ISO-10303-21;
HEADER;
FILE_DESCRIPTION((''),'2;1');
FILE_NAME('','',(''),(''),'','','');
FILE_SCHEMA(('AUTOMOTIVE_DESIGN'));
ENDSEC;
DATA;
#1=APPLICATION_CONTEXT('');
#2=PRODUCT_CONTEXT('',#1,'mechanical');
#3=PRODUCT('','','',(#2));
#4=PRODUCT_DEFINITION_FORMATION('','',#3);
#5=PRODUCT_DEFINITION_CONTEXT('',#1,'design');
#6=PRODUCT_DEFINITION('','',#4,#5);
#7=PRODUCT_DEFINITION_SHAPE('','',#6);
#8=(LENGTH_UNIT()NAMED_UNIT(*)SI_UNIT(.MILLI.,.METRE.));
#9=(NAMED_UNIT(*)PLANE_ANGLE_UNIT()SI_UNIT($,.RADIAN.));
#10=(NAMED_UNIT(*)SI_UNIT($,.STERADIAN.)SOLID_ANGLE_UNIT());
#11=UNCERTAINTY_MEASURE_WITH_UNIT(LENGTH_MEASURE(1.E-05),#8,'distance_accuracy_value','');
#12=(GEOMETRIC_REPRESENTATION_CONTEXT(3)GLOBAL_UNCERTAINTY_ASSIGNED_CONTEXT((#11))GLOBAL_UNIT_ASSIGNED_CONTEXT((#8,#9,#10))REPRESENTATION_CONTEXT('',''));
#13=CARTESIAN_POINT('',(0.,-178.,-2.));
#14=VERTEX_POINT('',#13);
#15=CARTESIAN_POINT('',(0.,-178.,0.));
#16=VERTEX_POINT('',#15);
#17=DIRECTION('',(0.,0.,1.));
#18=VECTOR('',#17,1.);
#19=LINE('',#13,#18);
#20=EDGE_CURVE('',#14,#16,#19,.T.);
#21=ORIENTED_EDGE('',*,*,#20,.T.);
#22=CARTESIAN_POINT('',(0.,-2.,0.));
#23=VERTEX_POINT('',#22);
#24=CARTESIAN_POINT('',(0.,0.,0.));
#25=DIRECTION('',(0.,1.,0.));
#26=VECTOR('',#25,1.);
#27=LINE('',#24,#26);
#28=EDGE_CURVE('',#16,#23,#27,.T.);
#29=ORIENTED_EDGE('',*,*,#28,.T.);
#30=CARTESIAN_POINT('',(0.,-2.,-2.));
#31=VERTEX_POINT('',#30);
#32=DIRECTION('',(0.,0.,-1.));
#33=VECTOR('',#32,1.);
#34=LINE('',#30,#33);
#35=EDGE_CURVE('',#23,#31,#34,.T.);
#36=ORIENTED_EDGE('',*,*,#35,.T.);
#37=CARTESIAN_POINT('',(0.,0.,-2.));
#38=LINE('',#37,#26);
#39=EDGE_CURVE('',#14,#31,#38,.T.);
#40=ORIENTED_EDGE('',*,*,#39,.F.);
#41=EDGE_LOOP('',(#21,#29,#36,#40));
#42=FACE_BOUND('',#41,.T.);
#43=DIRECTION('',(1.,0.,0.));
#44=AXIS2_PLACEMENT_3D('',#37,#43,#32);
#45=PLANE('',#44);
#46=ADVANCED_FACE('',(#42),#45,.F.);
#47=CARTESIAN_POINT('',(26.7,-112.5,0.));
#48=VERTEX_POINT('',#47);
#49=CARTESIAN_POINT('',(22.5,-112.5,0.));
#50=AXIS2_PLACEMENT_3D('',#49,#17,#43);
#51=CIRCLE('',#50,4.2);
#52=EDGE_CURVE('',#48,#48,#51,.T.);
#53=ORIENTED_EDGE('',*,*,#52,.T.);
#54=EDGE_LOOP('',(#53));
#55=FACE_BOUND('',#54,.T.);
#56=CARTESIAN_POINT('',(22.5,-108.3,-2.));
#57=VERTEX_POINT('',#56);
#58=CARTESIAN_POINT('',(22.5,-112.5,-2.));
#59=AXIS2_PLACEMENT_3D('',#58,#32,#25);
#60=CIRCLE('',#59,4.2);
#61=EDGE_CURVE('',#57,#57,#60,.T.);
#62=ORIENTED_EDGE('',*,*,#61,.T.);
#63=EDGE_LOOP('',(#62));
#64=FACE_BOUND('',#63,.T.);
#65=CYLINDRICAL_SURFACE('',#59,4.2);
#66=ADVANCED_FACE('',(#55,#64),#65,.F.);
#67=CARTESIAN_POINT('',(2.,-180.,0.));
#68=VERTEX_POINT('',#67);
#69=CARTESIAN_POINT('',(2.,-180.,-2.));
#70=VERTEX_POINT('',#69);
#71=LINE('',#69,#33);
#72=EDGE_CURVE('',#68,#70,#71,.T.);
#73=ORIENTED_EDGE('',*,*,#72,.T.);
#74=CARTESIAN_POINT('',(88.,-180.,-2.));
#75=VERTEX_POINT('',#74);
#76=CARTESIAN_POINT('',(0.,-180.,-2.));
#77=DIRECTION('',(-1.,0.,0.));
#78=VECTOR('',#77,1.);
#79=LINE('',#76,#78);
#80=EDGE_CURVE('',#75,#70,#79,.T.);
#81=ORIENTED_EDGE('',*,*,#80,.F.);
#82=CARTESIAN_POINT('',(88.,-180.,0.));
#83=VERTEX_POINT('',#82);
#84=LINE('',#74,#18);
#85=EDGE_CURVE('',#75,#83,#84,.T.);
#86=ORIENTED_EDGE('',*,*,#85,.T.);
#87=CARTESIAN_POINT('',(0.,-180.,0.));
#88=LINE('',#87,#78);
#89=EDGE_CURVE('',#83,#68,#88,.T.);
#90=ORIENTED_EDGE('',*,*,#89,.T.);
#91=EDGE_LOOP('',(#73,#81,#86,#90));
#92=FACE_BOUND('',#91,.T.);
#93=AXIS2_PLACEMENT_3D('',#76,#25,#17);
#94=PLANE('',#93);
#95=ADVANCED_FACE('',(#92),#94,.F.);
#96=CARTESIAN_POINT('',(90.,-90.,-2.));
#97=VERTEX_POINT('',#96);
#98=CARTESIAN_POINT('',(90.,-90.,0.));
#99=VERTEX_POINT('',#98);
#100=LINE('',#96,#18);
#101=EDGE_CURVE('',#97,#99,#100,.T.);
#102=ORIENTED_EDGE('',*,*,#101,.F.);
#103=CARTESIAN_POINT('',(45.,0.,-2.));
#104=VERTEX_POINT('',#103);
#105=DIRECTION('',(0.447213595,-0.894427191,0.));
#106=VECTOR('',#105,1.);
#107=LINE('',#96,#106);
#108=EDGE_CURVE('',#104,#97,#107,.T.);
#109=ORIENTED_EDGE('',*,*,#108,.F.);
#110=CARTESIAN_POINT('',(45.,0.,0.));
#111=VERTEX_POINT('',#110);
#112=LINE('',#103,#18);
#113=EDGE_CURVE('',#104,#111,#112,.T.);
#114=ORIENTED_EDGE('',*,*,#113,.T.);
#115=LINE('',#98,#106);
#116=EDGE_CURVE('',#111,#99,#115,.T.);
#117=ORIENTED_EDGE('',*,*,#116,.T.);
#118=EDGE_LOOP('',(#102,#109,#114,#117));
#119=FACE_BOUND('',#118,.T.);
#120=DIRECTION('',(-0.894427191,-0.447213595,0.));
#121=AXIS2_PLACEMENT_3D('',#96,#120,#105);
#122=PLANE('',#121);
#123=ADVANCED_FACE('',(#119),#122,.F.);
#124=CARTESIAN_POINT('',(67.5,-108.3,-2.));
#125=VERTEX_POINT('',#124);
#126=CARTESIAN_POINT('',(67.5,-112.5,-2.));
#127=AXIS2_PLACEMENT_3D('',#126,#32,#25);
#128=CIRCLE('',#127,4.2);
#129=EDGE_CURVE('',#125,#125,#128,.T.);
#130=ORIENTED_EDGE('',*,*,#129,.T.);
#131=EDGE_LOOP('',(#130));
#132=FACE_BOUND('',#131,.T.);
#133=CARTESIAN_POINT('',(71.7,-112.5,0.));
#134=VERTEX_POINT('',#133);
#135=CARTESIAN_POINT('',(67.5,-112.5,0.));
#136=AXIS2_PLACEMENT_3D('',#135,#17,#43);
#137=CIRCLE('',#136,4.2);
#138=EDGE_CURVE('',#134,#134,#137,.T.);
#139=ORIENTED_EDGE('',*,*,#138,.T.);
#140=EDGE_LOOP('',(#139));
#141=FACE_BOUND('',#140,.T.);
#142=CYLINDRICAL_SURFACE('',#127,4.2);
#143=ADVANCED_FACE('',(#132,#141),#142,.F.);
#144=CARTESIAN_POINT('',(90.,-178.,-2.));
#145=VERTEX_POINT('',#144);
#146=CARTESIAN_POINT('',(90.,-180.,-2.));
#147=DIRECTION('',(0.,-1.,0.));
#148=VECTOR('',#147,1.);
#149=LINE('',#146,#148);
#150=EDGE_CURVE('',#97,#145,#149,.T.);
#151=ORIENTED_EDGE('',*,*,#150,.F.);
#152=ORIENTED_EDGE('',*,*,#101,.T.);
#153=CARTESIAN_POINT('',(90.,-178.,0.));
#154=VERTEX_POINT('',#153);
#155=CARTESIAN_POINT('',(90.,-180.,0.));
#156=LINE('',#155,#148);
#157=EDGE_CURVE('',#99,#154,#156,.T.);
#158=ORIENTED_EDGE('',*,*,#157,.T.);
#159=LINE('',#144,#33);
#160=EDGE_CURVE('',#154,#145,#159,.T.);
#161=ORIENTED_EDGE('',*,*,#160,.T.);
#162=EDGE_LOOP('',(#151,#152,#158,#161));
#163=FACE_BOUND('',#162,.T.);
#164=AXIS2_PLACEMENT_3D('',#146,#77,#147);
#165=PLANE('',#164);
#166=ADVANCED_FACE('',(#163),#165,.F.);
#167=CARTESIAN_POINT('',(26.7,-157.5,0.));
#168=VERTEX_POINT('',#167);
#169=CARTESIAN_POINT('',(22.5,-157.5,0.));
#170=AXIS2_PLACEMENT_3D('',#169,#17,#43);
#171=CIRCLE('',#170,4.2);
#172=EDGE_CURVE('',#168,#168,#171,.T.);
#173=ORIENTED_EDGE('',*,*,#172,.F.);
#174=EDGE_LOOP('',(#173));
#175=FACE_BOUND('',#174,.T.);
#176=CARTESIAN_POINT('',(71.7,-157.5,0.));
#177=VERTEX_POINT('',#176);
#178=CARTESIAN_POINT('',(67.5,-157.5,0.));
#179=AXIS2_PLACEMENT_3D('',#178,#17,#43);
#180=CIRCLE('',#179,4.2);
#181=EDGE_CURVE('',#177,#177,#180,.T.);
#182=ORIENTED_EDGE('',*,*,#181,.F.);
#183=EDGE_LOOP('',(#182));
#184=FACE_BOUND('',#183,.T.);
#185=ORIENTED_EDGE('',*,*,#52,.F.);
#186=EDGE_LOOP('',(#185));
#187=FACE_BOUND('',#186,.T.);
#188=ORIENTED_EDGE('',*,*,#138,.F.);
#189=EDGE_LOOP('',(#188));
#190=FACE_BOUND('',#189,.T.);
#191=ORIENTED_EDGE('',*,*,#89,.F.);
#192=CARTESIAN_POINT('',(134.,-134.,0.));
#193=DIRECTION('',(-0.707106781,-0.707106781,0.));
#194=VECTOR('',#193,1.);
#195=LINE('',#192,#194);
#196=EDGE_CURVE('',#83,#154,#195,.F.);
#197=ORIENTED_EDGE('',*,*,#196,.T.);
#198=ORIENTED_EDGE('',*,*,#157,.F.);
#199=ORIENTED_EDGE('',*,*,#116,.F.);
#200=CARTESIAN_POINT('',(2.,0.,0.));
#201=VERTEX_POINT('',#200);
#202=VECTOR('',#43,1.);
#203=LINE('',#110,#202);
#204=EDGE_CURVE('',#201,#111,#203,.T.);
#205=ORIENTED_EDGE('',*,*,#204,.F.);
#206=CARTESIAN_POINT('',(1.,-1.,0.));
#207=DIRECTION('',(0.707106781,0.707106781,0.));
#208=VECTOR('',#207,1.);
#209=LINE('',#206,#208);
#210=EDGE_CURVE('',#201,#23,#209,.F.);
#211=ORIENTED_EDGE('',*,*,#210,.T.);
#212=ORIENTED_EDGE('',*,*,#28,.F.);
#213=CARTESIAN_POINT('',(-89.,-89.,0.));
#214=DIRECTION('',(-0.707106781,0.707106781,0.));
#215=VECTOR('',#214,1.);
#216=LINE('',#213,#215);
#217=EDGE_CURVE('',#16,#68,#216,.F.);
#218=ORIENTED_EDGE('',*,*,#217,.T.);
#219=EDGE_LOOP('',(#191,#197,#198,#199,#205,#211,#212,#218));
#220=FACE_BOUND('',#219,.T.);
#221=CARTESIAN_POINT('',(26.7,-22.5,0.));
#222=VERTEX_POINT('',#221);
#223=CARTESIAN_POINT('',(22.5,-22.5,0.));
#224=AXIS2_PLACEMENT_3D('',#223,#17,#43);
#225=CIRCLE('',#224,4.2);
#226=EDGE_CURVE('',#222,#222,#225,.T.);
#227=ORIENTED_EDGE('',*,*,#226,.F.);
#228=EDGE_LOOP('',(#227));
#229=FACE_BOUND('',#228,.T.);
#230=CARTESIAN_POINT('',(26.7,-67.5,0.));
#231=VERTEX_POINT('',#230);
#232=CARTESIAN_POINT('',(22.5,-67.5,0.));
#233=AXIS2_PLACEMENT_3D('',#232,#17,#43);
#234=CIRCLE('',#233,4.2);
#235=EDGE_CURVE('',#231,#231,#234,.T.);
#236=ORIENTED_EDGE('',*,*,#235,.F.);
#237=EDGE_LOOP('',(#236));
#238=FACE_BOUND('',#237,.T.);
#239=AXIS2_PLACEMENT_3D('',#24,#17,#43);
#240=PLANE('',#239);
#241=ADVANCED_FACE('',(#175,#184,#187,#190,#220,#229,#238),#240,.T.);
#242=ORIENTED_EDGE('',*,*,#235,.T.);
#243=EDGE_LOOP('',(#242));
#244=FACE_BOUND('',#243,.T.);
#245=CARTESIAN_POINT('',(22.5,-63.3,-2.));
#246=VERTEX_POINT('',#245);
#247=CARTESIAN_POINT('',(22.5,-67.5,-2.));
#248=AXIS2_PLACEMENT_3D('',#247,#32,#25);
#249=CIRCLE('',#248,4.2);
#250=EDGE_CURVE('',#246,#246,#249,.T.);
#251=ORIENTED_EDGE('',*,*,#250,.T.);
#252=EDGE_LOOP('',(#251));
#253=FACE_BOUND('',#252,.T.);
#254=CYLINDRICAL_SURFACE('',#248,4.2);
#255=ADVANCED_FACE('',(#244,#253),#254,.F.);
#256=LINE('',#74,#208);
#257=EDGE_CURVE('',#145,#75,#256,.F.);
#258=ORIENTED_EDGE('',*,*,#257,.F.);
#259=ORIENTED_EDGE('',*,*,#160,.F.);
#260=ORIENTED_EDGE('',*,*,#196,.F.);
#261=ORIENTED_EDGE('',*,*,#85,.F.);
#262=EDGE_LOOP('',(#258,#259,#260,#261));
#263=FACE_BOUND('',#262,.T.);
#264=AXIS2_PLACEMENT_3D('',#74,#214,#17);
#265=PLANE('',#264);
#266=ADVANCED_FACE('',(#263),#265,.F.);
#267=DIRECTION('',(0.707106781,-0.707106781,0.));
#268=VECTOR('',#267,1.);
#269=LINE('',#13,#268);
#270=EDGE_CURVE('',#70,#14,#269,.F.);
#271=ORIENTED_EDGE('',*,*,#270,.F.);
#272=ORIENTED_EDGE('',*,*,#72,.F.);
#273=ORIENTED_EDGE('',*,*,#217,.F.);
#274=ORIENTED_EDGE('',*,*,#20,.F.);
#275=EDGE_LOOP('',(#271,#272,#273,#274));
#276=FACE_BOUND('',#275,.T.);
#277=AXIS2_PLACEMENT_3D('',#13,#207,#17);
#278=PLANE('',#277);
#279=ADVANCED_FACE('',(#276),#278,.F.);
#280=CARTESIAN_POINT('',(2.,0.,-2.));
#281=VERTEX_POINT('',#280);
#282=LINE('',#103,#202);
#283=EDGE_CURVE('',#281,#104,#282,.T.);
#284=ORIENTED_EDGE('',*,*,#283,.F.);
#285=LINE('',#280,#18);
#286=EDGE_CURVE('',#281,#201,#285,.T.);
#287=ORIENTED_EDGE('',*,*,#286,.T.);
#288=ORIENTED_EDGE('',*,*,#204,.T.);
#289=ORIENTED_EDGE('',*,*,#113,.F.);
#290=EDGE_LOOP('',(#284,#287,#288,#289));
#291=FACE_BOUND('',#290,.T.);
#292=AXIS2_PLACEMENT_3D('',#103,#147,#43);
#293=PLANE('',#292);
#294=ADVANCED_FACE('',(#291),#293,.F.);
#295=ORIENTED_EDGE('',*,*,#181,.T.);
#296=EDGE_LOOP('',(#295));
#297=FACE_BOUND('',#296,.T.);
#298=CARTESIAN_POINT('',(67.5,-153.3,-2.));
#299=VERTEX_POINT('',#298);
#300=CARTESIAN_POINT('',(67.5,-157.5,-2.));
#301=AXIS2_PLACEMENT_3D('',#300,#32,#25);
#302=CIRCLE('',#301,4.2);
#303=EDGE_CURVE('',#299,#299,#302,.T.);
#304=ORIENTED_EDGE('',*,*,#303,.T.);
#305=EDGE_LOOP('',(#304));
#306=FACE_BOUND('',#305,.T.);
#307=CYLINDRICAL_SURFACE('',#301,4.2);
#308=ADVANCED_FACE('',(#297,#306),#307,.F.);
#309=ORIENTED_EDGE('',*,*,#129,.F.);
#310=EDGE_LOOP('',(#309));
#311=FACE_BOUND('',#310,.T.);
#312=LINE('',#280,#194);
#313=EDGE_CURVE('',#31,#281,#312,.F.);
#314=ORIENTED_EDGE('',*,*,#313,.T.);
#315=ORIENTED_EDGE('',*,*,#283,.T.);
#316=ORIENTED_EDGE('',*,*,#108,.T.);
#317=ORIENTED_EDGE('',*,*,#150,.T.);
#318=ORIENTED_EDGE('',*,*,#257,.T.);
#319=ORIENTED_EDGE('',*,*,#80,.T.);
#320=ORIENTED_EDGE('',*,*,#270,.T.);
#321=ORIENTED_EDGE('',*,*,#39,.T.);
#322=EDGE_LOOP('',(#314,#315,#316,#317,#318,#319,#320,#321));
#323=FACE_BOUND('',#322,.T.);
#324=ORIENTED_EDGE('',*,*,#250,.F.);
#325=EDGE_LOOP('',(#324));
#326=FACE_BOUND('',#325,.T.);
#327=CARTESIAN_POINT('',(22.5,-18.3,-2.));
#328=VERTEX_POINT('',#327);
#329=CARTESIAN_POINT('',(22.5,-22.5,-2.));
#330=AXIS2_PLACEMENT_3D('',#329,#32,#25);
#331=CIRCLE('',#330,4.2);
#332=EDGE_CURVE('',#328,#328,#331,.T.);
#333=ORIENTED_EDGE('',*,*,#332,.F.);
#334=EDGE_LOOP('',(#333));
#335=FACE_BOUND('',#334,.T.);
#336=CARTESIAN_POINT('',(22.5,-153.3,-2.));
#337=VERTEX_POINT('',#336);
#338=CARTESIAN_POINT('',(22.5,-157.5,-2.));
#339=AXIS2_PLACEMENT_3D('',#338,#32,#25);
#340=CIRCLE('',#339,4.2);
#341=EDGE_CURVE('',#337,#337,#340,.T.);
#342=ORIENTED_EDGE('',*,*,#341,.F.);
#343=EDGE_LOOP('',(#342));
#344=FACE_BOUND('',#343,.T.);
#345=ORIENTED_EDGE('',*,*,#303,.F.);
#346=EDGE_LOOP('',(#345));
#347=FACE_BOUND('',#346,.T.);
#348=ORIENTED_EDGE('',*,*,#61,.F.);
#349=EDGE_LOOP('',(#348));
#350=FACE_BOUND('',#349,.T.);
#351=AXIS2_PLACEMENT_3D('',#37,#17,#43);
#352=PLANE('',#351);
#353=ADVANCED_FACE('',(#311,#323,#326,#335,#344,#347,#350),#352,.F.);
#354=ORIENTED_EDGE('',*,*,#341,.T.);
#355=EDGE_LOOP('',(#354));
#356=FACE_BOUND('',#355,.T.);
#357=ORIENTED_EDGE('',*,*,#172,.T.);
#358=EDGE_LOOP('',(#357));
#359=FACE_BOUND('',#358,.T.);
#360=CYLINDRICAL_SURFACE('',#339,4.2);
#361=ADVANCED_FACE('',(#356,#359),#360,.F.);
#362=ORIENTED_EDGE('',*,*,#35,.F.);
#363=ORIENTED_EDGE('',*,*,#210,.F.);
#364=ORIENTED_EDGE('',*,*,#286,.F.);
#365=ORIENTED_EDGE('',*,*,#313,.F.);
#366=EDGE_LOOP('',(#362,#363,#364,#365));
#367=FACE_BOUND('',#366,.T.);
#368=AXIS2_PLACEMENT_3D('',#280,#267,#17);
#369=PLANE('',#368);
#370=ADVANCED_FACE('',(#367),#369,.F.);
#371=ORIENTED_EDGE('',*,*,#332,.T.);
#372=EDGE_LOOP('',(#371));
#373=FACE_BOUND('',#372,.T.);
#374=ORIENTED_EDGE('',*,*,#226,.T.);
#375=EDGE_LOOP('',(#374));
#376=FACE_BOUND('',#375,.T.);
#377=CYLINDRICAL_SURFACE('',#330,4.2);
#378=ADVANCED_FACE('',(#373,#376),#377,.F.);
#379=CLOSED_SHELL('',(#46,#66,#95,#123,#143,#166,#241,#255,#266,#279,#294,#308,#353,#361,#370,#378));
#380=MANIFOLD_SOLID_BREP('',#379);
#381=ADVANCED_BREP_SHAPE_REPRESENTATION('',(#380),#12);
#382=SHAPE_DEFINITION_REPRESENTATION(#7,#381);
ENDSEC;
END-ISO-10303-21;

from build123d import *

# Parameters (mm, degrees)
EXTRUDE_1_DEPTH       = 2
HOLE_WIZARD_M81_D     = 8.4
HOLE_WIZARD_M81_DEPTH = 2
CHAMFER_1_SIZE        = 2


with BuildPart() as part:
    # Эскиз1 → Бобышка-Вытянуть1 (new body)
    with BuildSketch(Plane(origin=(0, 0, 0), x_dir=(1, 0, 0), z_dir=(0, 0, -1))):
        Polygon((0, 0), (0, 180), (90, 180), (90, 90), (45, 0), align=None)
    extrude(amount=EXTRUDE_1_DEPTH)

    # Отверстие с зазором M81
    with Locations(Plane(origin=(0, 0, -2), x_dir=(1, 0, 0), z_dir=(0, 0, -1))):
        with Locations((22.5, 157.5), (22.5, 112.5), (22.5, 67.5), (22.5, 22.5), (67.5, 157.5), (67.5, 112.5)):
            Hole(HOLE_WIZARD_M81_D / 2, depth=HOLE_WIZARD_M81_DEPTH)

    # Фаска1
    chamfer_1_edges = [part.edges().sort_by_distance(p)[0] for p in [
        (0, 0, -1),
        (0, -180, -1),
        (90, -180, -1),
    ]]
    chamfer(chamfer_1_edges, length=CHAMFER_1_SIZE)


solid = part.part
